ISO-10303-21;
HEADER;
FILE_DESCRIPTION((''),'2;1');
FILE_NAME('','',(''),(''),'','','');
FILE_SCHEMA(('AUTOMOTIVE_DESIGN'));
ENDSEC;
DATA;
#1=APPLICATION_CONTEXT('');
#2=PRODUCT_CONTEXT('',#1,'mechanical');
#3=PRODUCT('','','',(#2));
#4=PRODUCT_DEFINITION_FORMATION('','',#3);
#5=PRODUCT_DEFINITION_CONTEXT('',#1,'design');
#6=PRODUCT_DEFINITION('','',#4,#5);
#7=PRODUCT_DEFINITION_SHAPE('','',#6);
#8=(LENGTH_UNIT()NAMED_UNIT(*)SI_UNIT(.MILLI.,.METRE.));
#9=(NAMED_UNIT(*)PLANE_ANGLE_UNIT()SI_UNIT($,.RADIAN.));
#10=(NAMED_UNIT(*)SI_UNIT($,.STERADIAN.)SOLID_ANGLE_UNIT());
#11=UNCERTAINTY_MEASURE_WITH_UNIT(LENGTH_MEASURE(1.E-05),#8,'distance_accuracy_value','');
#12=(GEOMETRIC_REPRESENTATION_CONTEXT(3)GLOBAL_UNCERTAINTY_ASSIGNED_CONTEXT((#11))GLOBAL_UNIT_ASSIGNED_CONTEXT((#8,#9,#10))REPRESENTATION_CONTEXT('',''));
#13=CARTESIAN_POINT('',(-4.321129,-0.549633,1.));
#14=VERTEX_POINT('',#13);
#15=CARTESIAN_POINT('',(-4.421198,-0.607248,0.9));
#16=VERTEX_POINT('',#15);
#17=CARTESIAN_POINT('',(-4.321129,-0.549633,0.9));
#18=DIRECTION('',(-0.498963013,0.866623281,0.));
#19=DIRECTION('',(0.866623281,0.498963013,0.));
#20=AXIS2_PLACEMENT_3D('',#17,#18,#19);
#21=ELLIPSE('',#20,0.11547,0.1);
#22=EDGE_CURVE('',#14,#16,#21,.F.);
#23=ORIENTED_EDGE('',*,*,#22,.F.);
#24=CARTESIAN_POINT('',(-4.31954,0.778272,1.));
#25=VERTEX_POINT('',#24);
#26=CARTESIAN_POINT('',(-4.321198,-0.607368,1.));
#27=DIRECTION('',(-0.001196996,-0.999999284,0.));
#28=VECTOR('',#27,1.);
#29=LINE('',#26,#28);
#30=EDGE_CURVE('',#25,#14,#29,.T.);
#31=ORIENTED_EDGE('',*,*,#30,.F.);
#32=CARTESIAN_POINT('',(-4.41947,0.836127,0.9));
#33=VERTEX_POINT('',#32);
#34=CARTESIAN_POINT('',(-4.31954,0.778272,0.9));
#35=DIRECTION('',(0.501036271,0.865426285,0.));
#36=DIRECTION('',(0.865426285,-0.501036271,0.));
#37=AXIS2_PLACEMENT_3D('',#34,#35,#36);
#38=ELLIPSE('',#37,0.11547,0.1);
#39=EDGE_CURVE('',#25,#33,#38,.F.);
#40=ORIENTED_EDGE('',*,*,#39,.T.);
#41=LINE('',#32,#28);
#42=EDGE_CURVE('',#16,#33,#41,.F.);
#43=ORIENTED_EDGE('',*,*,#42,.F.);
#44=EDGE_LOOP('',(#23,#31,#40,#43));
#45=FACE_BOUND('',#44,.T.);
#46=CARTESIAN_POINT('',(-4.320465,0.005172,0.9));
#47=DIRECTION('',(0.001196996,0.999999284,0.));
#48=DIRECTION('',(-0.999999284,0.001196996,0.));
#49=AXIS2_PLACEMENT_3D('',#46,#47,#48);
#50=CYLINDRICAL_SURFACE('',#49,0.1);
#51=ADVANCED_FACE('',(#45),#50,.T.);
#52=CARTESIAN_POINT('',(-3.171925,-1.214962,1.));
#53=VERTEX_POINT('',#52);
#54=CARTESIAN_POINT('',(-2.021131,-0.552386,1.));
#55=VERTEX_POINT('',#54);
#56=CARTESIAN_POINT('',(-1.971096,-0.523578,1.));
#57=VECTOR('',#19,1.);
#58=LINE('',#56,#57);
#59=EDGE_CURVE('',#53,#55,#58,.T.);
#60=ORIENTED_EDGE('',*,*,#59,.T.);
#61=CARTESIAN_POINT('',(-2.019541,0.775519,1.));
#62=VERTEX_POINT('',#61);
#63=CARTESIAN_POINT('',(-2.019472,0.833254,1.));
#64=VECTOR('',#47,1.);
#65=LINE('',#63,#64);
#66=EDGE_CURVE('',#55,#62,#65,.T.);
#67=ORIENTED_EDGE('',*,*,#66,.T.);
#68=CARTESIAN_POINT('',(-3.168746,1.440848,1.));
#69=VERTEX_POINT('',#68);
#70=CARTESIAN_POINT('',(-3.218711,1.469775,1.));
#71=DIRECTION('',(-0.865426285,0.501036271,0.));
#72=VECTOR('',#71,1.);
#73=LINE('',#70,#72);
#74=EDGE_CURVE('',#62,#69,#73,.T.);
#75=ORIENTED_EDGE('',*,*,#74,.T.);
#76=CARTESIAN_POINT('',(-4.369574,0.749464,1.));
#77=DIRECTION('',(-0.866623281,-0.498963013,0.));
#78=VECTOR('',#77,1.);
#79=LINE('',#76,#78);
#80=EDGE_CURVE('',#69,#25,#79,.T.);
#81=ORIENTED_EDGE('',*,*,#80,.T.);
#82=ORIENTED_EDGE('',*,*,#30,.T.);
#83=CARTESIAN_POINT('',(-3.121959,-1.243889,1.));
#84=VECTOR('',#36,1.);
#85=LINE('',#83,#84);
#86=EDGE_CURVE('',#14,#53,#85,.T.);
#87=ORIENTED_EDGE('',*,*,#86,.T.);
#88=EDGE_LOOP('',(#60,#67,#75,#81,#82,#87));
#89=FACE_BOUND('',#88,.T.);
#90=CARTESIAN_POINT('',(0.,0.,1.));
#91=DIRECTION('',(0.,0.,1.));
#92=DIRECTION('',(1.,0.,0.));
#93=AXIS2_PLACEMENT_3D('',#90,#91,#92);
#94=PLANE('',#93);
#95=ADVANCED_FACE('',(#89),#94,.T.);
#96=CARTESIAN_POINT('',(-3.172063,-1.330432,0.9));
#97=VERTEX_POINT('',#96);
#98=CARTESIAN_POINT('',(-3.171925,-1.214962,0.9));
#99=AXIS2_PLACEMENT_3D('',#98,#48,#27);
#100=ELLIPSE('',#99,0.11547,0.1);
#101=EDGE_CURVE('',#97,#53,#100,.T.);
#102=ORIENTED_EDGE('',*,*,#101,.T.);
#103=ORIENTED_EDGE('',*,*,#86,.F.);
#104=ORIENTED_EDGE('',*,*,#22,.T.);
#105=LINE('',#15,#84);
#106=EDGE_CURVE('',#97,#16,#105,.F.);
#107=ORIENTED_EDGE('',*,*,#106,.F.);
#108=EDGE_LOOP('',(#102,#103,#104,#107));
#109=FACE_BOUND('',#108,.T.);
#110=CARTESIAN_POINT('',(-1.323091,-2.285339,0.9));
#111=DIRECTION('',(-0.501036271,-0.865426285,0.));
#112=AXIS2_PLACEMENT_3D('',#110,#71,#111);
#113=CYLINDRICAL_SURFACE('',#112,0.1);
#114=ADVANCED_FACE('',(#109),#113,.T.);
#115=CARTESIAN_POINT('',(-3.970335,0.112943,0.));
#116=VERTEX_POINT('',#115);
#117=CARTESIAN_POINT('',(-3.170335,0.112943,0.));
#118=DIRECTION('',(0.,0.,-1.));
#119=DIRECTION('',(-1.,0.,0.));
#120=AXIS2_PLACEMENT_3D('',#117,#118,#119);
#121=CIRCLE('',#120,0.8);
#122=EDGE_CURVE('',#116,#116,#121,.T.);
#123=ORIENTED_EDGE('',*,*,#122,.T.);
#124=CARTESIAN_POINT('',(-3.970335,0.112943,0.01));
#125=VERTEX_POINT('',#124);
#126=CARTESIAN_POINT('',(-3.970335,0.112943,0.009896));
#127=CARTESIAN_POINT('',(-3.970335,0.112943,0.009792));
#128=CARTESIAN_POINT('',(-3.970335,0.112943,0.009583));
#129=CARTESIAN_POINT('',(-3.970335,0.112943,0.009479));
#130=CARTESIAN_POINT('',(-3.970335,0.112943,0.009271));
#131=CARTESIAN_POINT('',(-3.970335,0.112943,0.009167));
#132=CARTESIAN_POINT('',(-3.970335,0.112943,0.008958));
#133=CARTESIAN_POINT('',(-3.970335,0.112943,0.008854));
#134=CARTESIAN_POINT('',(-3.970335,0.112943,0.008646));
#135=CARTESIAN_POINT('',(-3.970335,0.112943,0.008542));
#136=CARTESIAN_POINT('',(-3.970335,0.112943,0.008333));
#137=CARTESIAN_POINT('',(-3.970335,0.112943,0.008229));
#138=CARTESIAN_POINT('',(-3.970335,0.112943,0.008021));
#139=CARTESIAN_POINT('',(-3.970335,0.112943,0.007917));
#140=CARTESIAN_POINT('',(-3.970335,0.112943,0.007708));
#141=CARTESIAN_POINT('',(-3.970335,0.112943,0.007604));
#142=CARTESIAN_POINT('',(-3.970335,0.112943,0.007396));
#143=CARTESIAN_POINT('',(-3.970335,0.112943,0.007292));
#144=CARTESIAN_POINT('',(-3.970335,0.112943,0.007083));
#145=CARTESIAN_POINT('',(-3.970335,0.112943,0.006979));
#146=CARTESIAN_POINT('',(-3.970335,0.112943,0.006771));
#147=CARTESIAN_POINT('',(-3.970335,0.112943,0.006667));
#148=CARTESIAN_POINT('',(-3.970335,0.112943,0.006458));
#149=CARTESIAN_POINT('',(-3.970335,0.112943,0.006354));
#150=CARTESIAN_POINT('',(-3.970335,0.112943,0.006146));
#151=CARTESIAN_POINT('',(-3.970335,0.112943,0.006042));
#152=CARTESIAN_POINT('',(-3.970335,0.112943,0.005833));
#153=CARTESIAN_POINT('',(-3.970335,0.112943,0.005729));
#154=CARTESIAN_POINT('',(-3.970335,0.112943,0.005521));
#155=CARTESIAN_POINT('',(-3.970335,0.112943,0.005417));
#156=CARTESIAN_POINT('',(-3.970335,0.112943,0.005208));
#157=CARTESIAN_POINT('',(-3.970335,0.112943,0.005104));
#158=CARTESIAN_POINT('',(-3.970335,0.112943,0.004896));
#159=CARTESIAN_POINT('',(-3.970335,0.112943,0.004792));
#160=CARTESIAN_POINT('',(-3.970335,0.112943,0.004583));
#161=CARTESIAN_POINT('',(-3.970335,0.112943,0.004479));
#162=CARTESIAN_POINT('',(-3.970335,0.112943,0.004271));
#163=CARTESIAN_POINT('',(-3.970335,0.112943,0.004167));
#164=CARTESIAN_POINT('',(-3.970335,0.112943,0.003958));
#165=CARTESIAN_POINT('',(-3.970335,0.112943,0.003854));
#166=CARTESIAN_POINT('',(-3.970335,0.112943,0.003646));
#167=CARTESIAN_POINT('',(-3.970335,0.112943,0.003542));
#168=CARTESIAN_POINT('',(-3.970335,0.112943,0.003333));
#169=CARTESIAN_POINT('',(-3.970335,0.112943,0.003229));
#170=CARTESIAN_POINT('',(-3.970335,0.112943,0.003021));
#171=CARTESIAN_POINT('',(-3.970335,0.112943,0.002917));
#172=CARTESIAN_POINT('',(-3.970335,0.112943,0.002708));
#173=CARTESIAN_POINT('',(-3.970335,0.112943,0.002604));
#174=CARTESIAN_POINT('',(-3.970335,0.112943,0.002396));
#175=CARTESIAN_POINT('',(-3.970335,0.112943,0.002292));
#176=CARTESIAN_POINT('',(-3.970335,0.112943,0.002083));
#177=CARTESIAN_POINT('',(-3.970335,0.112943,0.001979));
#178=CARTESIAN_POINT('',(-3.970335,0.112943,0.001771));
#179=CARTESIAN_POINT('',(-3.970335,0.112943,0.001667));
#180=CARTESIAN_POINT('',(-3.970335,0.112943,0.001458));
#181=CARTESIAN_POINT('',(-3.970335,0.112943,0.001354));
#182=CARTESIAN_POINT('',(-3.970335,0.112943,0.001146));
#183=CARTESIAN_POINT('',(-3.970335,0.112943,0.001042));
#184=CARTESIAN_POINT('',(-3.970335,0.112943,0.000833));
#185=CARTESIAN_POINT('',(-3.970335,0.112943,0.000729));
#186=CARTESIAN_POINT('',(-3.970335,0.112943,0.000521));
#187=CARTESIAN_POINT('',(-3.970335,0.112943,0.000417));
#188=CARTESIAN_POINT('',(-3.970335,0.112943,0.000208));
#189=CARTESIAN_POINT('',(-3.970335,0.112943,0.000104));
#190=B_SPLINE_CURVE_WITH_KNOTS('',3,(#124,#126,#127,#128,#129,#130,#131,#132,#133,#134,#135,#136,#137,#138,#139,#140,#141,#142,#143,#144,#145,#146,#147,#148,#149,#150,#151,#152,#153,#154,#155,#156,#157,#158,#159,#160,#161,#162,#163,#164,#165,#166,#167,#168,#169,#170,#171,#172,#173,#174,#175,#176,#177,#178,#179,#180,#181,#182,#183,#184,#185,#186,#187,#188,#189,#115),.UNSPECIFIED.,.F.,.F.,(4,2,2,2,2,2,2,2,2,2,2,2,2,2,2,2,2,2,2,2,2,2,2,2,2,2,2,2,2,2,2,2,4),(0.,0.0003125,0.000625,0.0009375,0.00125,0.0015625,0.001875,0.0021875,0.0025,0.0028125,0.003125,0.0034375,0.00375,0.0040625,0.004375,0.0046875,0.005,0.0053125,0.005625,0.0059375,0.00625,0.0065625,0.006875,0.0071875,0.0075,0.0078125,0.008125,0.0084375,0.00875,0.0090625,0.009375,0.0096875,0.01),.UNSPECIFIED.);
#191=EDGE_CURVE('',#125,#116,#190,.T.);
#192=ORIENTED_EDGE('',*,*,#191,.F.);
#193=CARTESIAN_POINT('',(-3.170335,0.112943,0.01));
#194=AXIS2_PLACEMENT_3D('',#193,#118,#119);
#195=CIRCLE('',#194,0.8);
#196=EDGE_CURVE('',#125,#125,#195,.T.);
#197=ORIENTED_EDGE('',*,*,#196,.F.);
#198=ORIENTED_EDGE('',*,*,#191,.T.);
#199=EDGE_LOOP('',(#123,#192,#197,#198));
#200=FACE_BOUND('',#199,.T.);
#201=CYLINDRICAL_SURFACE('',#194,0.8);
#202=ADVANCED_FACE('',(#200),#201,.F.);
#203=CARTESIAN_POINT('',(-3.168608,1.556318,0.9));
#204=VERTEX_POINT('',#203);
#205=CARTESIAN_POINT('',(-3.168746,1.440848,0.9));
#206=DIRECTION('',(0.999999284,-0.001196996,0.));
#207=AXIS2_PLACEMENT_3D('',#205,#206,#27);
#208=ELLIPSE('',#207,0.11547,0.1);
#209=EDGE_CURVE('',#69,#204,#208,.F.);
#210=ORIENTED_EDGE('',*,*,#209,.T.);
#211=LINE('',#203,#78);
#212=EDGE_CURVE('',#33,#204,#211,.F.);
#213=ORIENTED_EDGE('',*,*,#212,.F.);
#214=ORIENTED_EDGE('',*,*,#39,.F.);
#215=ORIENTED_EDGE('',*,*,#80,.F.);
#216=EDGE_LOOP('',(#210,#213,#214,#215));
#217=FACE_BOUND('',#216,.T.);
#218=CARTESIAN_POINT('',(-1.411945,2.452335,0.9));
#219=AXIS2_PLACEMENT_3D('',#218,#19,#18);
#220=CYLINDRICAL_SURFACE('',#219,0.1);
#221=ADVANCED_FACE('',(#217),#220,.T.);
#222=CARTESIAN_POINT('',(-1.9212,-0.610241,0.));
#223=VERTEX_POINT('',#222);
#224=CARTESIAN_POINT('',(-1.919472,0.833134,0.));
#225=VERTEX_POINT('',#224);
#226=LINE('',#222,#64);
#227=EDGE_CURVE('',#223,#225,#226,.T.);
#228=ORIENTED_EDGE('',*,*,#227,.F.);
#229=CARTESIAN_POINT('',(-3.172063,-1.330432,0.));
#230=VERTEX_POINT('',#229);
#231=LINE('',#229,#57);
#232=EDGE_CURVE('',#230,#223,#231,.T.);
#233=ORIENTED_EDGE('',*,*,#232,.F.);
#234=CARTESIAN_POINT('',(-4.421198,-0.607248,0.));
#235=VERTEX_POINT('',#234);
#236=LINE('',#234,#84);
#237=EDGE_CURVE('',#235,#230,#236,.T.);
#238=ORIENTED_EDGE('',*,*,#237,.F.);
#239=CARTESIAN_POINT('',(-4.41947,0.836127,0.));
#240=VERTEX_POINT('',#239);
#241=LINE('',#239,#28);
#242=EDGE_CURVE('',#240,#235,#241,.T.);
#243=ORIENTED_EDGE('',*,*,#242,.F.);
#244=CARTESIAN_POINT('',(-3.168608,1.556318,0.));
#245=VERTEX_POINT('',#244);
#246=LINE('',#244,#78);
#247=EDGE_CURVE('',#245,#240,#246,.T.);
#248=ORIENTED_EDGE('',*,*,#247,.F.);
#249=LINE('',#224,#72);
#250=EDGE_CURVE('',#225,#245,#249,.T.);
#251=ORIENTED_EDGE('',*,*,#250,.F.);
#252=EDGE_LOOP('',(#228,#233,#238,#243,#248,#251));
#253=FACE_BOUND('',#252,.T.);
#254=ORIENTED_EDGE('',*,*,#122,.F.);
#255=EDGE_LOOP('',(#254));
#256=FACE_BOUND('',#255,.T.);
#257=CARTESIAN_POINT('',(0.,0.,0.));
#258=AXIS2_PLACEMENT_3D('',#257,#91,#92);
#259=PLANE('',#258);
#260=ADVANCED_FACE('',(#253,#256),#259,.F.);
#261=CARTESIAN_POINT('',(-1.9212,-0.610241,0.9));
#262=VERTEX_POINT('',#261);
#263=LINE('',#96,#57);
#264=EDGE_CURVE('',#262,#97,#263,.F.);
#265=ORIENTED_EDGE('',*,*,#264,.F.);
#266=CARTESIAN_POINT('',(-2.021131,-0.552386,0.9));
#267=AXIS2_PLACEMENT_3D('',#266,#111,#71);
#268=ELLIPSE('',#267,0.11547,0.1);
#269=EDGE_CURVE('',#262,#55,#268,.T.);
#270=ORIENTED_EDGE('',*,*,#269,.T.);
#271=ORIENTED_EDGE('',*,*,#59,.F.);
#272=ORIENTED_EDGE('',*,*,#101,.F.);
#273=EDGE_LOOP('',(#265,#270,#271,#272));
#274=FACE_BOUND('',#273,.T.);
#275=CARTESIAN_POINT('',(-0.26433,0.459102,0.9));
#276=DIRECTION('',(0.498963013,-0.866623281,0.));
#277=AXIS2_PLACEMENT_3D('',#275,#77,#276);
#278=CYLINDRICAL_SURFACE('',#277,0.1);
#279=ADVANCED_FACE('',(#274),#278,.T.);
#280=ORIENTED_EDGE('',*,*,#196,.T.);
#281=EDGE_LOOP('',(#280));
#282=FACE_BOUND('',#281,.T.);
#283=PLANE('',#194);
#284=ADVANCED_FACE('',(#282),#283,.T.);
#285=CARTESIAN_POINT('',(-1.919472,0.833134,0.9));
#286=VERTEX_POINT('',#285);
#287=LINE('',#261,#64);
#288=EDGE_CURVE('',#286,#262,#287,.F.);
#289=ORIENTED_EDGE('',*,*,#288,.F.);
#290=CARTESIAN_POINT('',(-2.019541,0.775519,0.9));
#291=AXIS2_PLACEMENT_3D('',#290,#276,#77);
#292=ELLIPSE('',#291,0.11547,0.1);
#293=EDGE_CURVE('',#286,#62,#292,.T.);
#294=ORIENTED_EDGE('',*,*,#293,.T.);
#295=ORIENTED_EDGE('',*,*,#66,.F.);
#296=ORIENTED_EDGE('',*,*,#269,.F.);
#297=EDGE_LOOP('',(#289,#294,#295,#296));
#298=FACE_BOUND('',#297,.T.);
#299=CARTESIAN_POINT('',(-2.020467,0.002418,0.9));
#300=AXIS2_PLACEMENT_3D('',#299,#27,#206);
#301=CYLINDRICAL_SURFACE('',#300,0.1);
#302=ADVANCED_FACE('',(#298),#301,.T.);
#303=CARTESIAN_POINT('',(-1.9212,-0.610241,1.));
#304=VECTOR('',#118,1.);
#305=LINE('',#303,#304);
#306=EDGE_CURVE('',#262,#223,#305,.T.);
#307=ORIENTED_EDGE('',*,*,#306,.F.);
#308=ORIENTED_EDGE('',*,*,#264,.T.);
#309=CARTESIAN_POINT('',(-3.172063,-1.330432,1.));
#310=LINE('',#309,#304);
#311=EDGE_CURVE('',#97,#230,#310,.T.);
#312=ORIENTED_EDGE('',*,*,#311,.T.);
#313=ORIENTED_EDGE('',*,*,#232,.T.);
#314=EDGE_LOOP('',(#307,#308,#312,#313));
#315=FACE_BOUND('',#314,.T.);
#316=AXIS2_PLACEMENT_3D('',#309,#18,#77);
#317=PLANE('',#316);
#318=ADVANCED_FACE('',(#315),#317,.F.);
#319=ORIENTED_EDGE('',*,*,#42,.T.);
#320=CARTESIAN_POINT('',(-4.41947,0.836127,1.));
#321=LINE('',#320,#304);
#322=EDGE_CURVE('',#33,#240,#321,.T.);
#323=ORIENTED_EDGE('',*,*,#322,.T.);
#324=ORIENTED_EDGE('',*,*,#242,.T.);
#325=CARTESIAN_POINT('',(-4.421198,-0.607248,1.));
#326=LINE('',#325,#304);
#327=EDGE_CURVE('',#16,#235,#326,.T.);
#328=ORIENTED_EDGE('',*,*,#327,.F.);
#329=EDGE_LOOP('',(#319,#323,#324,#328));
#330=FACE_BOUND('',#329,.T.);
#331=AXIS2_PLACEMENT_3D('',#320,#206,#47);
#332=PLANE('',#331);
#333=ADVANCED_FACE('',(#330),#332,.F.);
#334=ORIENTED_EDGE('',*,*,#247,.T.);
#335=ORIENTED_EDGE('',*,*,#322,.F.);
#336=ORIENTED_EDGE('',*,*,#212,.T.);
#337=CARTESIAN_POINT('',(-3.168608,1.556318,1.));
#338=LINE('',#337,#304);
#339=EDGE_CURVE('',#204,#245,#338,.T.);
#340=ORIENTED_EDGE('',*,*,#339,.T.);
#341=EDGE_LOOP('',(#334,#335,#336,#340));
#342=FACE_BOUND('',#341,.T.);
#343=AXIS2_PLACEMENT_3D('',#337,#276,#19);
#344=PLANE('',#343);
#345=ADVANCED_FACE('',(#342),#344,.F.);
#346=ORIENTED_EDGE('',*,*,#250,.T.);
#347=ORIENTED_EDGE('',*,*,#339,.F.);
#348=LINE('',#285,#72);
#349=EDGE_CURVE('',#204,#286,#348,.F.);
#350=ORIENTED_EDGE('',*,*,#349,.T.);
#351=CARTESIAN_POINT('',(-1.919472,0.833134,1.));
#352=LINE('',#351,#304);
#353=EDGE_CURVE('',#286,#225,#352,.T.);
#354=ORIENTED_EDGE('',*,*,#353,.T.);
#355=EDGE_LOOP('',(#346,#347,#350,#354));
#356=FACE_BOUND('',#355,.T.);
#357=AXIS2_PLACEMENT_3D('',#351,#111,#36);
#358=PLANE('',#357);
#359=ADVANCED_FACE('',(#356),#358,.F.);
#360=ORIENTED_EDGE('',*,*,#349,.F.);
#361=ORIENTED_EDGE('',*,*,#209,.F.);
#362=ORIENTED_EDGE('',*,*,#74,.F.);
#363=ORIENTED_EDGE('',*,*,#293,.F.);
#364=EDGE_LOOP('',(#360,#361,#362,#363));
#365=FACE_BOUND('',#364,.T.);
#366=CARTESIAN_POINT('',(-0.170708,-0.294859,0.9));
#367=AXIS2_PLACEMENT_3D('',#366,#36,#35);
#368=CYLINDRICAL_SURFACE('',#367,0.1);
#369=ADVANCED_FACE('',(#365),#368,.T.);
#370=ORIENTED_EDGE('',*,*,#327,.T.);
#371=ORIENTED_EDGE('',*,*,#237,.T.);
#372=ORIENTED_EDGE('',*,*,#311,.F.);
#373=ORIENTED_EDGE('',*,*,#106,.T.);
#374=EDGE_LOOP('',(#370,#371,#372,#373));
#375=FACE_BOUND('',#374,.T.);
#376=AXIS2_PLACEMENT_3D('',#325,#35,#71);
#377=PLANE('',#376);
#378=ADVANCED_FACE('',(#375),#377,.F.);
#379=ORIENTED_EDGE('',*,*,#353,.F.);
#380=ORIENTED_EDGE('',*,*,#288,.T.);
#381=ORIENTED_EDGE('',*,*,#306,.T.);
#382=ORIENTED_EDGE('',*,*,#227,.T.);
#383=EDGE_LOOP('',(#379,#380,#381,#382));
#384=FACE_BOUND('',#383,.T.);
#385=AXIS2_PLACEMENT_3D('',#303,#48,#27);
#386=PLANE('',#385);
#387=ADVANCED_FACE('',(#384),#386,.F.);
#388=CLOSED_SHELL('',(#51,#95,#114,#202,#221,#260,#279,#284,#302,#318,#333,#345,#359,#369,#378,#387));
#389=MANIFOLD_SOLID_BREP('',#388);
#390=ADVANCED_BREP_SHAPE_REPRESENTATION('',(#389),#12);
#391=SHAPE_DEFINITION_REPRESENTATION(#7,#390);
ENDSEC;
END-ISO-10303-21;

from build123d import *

# Parameters (mm, degrees)
BOSS_EXTRUDE1_DEPTH = 1
FILLET1_R           = 0.1
SKETCH2_R           = 0.8
CUT_EXTRUDE1_DEPTH  = 0.01


with BuildPart() as part:
    # Sketch1 → Boss-Extrude1 (new body)
    with BuildSketch(Plane.XY):
        Polygon((-1.92119998, -0.610240597), (-1.919472265, 0.833134042), (-3.168607513, 1.556317607), (-4.419470474, 0.836126532), (-4.421198189, -0.607248107), (-3.172062942, -1.330431671), align=None)
    extrude(amount=BOSS_EXTRUDE1_DEPTH)

    # Fillet1
    fillet1_edges = [part.edges().sort_by_distance(p)[0] for p in [
        (-2.544039889, 1.194725824, 1),
        (-3.794038993, 1.196222069, 1),
        (-4.420334332, 0.114439212, 1),
        (-3.796630565, -0.968839889, 1),
        (-2.546631461, -0.970336134, 1),
        (-1.920336123, 0.111446723, 1),
    ]]
    fillet(fillet1_edges, radius=FILLET1_R)

    # Sketch2 → Cut-Extrude1 (cut)
    with BuildSketch(Plane(origin=(0, 0, 0), x_dir=(-1, 0, 0), z_dir=(0, 0, -1))):
        with Locations((3.170335227, 0.112942968)):
            Circle(SKETCH2_R)
    extrude(amount=-CUT_EXTRUDE1_DEPTH, mode=Mode.SUBTRACT)


solid = part.part
